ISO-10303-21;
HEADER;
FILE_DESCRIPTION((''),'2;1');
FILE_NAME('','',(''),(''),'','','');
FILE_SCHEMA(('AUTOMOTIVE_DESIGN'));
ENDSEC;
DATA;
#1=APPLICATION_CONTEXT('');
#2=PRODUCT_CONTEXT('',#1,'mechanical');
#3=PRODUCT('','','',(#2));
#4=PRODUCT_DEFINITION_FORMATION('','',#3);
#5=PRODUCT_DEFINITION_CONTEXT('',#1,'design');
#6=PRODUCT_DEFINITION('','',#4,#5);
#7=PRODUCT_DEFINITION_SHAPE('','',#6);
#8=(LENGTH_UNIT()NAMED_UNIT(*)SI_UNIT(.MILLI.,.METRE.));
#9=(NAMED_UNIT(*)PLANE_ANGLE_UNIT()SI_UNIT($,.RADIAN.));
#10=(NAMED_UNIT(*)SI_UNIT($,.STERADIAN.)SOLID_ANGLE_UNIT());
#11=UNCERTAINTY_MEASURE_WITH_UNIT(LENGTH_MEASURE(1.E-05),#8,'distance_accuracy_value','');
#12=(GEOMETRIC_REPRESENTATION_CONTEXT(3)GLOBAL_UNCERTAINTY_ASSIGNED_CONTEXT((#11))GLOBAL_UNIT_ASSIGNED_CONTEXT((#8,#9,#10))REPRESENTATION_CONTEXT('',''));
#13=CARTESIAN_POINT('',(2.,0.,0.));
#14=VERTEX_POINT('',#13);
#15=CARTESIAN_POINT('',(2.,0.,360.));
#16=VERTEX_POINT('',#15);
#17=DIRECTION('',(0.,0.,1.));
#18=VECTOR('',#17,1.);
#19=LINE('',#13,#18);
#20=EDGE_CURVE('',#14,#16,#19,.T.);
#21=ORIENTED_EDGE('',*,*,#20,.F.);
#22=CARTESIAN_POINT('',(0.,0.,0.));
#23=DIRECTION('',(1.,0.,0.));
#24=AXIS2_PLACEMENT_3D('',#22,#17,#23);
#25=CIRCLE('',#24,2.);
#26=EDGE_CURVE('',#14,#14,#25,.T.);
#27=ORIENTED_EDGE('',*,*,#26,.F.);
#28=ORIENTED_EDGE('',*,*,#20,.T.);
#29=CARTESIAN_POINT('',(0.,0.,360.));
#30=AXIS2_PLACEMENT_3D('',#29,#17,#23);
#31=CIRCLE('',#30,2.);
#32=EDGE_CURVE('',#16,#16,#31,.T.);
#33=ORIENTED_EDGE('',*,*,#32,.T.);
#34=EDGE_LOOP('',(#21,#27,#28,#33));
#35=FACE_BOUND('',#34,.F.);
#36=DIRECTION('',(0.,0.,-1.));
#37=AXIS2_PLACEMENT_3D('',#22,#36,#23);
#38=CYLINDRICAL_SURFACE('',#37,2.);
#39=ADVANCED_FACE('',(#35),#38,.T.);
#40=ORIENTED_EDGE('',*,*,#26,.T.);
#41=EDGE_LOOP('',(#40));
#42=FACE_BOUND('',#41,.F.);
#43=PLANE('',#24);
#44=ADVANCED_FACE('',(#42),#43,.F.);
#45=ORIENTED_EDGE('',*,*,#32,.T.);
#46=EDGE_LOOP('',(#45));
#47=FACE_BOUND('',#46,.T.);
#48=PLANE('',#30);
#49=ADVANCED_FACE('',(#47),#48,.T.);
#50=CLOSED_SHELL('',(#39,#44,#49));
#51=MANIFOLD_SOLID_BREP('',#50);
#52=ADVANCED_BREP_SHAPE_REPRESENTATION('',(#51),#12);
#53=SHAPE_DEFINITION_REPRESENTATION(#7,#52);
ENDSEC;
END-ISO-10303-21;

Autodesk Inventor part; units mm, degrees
ref_plane "YZ Plane" through (0, 0, 0) normal (1, 0, 0) x (0, 1, 0)
ref_plane "XZ Plane" through (0, 0, 0) normal (0, 1, 0) x (-1, 0, 0)
ref_plane "XY Plane" through (0, 0, 0) normal (0, 0, 1) x (1, 0, 0)
sketch "Sketch1" plane through (0, 0, 0) normal (0, 0, 1) x (1, 0, 0)
  circle A0 centre (0, 0) radius 2
  dimension "d0" = 4
extrude "Extrusion1" add sketch "Sketch1" along normal blind 360
properties part number "linkRod"
